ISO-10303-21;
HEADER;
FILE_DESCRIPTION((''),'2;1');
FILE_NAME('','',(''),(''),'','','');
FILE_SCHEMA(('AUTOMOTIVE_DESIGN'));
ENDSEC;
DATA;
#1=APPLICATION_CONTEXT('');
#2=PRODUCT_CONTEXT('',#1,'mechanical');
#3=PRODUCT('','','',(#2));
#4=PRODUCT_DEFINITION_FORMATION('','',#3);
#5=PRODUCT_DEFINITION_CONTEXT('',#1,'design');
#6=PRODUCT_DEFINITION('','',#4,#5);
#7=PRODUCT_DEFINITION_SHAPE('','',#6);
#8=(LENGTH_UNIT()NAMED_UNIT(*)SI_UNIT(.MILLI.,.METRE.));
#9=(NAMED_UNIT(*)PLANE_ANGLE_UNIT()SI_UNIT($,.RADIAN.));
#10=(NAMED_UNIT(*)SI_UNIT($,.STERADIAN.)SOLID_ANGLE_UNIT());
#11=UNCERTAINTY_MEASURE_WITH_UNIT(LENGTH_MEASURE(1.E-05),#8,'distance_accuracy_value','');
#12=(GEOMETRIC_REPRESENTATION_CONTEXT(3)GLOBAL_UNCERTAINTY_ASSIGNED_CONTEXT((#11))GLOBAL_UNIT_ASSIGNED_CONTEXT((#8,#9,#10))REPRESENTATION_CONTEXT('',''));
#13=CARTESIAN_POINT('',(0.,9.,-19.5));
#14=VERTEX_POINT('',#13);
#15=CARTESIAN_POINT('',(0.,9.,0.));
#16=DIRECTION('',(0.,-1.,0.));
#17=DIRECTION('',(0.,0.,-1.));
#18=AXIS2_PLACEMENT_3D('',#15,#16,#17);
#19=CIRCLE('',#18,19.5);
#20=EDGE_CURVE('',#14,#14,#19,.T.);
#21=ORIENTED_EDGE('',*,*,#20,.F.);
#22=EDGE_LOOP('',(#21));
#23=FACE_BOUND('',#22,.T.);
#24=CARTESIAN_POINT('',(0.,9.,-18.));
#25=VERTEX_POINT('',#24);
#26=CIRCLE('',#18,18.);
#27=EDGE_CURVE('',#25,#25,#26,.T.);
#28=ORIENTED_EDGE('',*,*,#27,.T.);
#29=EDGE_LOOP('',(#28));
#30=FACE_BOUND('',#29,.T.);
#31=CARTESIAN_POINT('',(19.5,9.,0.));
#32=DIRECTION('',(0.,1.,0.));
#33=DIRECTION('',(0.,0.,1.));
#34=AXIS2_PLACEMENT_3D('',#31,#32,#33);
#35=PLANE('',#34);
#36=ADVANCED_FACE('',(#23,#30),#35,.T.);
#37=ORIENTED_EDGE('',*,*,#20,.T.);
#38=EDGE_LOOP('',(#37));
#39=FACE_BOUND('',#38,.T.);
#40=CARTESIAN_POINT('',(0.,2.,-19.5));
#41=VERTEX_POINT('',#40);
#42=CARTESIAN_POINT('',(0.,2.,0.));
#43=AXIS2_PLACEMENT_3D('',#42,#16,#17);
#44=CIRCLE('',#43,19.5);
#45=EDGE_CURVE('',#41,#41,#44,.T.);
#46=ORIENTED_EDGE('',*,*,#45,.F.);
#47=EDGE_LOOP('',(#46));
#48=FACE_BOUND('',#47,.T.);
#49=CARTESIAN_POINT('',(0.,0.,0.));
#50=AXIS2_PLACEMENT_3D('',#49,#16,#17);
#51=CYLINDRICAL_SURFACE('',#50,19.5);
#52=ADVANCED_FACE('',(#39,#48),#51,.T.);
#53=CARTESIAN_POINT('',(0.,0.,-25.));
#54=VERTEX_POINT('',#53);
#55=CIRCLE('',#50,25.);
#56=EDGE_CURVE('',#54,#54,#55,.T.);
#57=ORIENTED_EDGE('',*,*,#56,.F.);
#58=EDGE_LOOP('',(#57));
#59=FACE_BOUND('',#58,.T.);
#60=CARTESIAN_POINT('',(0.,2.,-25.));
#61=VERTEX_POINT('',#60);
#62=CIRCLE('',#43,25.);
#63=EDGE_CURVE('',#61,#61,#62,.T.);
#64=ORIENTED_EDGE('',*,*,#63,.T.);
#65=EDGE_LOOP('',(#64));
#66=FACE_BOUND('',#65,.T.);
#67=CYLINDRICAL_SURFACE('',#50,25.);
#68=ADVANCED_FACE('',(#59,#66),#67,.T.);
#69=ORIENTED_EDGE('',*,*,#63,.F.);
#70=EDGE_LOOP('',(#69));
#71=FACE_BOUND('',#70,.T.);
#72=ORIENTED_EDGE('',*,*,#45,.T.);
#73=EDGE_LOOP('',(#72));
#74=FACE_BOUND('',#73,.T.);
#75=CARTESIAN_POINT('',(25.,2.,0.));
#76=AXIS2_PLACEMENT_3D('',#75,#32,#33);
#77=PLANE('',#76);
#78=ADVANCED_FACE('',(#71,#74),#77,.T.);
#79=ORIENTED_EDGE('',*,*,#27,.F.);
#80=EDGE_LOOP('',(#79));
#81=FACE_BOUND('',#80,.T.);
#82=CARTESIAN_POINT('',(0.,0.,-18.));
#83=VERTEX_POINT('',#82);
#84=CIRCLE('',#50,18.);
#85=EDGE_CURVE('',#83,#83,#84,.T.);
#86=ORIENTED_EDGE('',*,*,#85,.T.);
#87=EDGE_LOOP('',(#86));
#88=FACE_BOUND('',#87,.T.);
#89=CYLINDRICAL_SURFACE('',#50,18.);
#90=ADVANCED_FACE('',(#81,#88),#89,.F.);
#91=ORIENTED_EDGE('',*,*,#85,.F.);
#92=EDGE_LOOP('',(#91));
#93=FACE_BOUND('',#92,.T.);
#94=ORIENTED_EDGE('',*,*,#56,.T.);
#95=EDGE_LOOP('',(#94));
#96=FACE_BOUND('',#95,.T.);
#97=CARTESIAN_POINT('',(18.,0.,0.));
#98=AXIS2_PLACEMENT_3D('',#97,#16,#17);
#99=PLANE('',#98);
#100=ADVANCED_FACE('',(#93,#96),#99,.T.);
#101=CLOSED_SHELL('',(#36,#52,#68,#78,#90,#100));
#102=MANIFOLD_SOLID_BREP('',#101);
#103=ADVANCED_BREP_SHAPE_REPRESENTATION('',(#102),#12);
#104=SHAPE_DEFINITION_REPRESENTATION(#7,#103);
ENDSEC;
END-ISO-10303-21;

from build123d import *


with BuildPart() as part:
    # Sketch1 → Revolve1 (revolve)
    with BuildSketch(Plane.XY):
        Polygon((18, 0), (25, 0), (25, 2), (19.5, 2), (19.5, 9), (18, 9), align=None)
    revolve(axis=Axis((0, 0, 0), (0, 1, 0)))


solid = part.part
